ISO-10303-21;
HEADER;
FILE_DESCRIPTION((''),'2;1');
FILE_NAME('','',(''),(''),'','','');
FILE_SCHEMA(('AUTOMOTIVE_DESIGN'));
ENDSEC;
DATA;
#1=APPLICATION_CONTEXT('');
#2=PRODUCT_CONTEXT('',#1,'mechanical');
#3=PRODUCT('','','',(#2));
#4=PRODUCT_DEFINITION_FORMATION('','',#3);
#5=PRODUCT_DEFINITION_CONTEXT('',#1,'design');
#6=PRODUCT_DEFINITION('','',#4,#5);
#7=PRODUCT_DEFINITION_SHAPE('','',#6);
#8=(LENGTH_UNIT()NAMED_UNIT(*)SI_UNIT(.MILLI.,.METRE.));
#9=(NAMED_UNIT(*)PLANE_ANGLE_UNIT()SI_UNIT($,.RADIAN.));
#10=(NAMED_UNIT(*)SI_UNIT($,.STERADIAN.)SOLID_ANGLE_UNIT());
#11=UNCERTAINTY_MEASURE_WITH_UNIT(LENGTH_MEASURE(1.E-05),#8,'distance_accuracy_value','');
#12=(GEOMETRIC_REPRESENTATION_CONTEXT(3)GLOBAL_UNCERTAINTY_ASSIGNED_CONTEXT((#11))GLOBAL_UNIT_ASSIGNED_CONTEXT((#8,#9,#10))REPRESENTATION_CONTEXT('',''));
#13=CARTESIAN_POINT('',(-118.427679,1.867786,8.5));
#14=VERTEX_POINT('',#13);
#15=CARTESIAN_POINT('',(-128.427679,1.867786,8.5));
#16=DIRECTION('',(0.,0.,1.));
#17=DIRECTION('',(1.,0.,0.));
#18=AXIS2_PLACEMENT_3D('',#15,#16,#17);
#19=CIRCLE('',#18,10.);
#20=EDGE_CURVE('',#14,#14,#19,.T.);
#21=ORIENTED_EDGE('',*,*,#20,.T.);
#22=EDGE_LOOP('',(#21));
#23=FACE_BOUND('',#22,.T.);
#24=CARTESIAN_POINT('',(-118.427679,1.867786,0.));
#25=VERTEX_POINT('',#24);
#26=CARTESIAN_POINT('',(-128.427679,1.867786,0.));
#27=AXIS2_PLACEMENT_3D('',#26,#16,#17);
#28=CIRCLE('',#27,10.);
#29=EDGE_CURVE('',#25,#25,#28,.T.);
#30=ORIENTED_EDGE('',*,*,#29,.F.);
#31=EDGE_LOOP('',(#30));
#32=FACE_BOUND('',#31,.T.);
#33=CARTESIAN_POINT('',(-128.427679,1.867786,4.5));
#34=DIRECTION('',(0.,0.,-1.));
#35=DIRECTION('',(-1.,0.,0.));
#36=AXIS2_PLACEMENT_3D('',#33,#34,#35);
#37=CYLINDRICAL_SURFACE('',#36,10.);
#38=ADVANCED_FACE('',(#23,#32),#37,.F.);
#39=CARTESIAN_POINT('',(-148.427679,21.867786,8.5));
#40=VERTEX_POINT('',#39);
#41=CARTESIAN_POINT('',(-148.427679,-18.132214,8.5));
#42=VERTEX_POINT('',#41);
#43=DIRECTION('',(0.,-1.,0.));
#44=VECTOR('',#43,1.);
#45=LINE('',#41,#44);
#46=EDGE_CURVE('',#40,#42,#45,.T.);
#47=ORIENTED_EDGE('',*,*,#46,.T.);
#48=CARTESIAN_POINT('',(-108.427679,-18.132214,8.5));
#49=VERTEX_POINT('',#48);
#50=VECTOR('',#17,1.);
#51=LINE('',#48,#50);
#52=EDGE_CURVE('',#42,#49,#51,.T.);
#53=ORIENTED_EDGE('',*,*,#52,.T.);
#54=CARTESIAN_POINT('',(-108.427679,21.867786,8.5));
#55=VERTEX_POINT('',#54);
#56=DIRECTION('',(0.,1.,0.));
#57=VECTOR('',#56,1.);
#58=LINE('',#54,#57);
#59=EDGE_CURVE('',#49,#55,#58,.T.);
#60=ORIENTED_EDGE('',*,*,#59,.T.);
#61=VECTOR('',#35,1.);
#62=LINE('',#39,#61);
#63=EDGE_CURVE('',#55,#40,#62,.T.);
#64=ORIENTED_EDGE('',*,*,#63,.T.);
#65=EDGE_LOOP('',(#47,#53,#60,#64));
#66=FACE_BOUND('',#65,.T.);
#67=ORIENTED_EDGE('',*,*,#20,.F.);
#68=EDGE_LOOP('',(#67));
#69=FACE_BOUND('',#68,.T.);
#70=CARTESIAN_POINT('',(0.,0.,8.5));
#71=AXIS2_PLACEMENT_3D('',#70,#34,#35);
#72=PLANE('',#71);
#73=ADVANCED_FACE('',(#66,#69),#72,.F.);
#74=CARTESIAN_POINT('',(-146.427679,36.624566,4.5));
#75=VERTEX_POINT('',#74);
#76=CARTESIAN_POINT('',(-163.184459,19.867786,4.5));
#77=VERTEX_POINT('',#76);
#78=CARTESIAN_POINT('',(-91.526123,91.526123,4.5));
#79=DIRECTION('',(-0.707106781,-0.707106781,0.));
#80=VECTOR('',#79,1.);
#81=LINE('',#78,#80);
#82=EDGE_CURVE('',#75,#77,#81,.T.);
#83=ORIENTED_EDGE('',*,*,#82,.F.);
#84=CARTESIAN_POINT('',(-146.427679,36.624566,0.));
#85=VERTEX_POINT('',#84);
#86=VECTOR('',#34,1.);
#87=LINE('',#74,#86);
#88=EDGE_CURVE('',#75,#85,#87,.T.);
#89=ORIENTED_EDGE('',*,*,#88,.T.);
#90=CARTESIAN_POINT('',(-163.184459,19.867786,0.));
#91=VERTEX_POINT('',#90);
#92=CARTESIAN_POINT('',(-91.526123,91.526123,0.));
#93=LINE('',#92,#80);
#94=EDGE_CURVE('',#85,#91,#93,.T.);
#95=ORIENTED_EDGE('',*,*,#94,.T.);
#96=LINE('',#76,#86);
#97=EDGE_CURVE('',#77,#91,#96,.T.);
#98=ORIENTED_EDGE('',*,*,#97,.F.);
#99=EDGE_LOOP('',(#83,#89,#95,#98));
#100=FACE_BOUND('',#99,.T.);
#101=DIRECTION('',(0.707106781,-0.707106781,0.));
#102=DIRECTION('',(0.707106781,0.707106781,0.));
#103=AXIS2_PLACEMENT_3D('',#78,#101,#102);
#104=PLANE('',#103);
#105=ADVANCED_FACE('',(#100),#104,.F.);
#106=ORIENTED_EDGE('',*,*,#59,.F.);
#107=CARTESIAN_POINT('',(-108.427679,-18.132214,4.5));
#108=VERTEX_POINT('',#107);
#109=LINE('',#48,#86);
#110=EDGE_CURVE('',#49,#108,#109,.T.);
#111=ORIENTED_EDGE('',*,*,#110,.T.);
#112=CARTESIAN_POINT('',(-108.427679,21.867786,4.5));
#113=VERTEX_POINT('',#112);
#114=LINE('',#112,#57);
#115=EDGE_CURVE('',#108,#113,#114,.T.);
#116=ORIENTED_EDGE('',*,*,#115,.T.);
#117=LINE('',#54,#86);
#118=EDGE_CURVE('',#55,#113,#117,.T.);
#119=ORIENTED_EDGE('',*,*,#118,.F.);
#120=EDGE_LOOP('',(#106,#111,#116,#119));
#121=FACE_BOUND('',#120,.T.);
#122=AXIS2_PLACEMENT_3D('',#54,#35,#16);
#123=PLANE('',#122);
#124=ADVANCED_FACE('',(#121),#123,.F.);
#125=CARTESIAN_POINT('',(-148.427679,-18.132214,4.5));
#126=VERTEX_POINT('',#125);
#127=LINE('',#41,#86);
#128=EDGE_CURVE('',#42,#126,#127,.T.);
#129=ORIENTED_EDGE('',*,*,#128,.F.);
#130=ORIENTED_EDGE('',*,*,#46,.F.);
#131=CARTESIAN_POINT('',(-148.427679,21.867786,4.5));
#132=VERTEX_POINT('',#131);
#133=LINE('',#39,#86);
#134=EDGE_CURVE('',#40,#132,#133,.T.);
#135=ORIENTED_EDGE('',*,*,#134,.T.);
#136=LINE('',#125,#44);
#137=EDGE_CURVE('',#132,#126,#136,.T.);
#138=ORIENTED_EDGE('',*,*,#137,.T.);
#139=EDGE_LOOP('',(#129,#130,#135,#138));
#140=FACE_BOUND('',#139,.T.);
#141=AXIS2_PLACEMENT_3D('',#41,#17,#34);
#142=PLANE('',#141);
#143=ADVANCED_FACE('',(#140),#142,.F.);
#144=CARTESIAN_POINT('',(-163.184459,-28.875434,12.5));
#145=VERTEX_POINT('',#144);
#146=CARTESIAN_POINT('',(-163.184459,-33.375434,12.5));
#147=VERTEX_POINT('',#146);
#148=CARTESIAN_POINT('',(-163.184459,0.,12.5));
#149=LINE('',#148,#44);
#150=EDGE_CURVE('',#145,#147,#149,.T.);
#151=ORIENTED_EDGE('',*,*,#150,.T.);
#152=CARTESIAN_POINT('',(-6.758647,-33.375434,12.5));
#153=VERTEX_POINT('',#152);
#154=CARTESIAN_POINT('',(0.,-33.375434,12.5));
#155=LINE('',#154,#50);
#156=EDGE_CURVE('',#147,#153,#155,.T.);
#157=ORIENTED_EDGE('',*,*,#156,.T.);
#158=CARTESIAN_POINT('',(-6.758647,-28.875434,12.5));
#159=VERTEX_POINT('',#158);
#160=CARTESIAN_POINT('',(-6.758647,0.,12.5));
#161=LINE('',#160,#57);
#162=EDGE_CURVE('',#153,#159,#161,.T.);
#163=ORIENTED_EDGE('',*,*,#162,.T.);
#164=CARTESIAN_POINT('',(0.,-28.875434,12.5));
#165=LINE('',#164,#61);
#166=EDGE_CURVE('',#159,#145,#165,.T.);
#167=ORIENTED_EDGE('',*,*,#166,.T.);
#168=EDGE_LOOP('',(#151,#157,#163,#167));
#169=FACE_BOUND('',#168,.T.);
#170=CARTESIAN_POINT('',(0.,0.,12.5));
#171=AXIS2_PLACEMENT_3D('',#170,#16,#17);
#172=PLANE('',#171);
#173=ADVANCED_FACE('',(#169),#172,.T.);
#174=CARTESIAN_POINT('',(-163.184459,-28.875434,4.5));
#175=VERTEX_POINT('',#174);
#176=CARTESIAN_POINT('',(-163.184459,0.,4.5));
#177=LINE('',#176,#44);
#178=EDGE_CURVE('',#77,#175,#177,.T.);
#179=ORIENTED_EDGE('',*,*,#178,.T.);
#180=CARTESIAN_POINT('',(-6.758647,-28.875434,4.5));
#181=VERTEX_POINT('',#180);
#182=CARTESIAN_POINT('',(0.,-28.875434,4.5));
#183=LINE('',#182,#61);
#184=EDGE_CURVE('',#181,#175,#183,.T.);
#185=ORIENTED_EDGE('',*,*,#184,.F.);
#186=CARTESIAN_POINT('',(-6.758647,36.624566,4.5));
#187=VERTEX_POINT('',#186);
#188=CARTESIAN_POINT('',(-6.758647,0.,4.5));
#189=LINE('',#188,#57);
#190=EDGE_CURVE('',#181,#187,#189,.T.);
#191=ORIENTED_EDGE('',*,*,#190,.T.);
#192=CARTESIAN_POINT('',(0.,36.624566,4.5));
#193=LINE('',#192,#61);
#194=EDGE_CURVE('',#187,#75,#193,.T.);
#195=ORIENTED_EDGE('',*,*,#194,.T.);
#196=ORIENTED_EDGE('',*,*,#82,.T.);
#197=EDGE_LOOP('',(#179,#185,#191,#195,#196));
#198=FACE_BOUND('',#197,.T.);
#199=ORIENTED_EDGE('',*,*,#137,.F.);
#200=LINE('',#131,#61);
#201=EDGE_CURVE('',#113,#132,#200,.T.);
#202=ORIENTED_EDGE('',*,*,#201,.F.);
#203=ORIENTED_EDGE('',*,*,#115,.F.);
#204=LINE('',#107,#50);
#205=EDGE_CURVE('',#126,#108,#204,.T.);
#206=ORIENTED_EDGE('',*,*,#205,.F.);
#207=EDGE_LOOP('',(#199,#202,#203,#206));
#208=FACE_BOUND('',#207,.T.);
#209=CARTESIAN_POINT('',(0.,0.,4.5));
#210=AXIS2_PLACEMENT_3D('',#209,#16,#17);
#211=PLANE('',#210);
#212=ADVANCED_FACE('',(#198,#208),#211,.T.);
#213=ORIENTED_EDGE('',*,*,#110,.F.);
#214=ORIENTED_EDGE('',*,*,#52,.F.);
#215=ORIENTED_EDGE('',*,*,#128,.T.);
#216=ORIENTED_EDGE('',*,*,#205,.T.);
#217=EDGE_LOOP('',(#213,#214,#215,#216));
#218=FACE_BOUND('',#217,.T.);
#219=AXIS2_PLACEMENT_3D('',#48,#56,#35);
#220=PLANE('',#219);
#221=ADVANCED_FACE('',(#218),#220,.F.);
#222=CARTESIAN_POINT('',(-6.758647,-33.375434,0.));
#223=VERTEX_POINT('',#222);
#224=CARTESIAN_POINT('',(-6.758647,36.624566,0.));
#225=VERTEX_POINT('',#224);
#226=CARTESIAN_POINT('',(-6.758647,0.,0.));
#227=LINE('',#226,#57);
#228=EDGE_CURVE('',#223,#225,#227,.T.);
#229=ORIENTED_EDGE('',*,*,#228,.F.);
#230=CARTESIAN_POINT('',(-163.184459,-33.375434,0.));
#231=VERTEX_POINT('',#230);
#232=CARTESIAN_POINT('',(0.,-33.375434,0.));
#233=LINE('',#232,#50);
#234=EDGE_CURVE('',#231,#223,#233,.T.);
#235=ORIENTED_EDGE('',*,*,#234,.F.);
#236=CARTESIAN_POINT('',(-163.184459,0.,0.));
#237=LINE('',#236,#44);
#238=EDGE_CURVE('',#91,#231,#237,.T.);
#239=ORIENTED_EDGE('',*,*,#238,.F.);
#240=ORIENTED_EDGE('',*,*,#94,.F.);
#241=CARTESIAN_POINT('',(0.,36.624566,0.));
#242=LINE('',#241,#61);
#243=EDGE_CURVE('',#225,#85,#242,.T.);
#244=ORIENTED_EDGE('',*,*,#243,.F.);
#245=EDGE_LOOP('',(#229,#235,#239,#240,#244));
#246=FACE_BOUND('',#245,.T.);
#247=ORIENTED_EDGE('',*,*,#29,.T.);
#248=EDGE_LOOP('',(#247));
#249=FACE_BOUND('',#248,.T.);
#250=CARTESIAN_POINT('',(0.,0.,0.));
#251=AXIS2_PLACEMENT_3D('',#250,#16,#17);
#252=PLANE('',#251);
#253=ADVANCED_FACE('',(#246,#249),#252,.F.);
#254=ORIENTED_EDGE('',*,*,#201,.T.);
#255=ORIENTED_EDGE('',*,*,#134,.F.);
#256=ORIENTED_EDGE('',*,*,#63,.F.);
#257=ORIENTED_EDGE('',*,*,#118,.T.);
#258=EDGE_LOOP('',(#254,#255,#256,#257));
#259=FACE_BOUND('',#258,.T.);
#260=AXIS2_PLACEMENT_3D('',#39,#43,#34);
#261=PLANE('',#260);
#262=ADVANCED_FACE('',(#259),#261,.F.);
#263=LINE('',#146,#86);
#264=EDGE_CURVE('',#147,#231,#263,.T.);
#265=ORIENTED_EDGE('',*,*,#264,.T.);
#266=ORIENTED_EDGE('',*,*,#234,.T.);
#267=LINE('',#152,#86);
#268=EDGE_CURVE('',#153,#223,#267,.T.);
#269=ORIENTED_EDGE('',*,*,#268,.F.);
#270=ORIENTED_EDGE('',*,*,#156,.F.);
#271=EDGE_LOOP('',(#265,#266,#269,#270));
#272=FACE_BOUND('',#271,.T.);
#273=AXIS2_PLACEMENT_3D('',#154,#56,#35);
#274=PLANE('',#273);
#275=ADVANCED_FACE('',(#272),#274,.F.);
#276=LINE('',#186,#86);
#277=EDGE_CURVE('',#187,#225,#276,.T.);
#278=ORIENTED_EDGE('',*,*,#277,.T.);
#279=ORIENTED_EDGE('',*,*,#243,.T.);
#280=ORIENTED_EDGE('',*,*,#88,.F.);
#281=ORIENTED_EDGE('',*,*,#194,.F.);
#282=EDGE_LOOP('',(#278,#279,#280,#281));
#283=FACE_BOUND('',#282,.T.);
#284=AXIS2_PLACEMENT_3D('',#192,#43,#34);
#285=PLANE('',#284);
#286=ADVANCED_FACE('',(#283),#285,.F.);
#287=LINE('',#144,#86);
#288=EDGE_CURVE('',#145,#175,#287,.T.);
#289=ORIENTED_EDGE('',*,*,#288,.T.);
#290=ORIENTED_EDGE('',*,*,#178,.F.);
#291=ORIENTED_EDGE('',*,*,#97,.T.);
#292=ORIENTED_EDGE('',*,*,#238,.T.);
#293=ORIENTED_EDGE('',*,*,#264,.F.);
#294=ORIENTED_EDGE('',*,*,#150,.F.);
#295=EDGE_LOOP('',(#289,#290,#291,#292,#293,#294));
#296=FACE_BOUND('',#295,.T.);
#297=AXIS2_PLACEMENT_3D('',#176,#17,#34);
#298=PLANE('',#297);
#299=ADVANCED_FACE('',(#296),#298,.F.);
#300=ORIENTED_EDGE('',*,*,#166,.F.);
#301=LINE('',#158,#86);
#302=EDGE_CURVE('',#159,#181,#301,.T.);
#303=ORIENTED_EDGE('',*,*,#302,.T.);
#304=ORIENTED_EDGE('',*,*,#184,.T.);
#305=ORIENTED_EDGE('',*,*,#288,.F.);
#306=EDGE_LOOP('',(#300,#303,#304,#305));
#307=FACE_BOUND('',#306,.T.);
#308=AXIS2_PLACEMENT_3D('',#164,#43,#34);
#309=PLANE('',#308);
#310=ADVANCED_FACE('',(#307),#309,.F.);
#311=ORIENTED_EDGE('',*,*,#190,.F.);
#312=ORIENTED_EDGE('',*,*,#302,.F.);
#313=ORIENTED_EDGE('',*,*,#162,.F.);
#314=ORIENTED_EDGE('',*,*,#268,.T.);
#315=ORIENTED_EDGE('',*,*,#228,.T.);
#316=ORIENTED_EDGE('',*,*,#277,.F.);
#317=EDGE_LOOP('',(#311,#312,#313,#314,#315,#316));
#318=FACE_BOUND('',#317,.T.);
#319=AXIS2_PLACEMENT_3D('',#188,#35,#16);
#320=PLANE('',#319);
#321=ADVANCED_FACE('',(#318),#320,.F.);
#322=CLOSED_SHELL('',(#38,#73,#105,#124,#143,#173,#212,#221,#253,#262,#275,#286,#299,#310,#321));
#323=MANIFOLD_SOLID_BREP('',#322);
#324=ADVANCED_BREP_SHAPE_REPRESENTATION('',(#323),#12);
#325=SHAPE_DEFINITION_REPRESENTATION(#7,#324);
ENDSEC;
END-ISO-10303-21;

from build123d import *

# Parameters (mm, degrees)
SKETCH2_R           = 10
BOSS_EXTRUDE2_DEPTH = 4.5
SKETCH2_5_W         = 90
SKETCH2_5_H         = 65.5
BOSS_EXTRUDE4_DEPTH = 4.5
BOSS_EXTRUDE5_DEPTH = 12.5
SKETCH4_W           = 40
SKETCH4_H           = 40
SKETCH4_R           = 10
BOSS_EXTRUDE6_DEPTH = 4


with BuildPart() as part:
    # Sketch2 → Boss-Extrude2 (new body)
    with BuildSketch(Plane(origin=(0, 0, 0), x_dir=(-1, 0, 0), z_dir=(0, 0, 1))):
        Polygon((96.758646955, 28.875433948), (96.758646955, -36.624566052), (146.427679381, -36.624566052), (163.18445937, -19.867786064), (163.18445937, 28.875433948), align=None)
        with Locations((128.427679381, -1.867786064)):
            Circle(SKETCH2_R, mode=Mode.SUBTRACT)
    extrude(amount=BOSS_EXTRUDE2_DEPTH)

    # Sketch2<5> → Boss-Extrude4 (add)
    with BuildSketch(Plane(origin=(0, 0, 0), x_dir=(-1, 0, 0), z_dir=(0, 0, 1))):
        with Locations((51.758646955, -3.874566052)):
            Rectangle(SKETCH2_5_W, SKETCH2_5_H)
    extrude(amount=BOSS_EXTRUDE4_DEPTH)

    # Sketch2<7> → Boss-Extrude5 (add)
    with BuildSketch(Plane(origin=(0, 0, 0), x_dir=(-1, 0, 0), z_dir=(0, 0, 1))):
        Polygon((6.758646955, 33.375433948), (6.758646955, 28.875433948), (96.758646955, 28.875433948), (163.18445937, 28.875433948), (163.18445937, 33.375433948), align=None)
    extrude(amount=BOSS_EXTRUDE5_DEPTH)

    # Sketch4 → Boss-Extrude6 (add)
    with BuildSketch(Plane.XY.offset(4.5)):
        with Locations((-128.427679381, 1.867786064)):
            Rectangle(SKETCH4_W, SKETCH4_H)
        with Locations((-128.427679381, 1.867786064)):
            Circle(SKETCH4_R, mode=Mode.SUBTRACT)
    extrude(amount=BOSS_EXTRUDE6_DEPTH)


solid = part.part
